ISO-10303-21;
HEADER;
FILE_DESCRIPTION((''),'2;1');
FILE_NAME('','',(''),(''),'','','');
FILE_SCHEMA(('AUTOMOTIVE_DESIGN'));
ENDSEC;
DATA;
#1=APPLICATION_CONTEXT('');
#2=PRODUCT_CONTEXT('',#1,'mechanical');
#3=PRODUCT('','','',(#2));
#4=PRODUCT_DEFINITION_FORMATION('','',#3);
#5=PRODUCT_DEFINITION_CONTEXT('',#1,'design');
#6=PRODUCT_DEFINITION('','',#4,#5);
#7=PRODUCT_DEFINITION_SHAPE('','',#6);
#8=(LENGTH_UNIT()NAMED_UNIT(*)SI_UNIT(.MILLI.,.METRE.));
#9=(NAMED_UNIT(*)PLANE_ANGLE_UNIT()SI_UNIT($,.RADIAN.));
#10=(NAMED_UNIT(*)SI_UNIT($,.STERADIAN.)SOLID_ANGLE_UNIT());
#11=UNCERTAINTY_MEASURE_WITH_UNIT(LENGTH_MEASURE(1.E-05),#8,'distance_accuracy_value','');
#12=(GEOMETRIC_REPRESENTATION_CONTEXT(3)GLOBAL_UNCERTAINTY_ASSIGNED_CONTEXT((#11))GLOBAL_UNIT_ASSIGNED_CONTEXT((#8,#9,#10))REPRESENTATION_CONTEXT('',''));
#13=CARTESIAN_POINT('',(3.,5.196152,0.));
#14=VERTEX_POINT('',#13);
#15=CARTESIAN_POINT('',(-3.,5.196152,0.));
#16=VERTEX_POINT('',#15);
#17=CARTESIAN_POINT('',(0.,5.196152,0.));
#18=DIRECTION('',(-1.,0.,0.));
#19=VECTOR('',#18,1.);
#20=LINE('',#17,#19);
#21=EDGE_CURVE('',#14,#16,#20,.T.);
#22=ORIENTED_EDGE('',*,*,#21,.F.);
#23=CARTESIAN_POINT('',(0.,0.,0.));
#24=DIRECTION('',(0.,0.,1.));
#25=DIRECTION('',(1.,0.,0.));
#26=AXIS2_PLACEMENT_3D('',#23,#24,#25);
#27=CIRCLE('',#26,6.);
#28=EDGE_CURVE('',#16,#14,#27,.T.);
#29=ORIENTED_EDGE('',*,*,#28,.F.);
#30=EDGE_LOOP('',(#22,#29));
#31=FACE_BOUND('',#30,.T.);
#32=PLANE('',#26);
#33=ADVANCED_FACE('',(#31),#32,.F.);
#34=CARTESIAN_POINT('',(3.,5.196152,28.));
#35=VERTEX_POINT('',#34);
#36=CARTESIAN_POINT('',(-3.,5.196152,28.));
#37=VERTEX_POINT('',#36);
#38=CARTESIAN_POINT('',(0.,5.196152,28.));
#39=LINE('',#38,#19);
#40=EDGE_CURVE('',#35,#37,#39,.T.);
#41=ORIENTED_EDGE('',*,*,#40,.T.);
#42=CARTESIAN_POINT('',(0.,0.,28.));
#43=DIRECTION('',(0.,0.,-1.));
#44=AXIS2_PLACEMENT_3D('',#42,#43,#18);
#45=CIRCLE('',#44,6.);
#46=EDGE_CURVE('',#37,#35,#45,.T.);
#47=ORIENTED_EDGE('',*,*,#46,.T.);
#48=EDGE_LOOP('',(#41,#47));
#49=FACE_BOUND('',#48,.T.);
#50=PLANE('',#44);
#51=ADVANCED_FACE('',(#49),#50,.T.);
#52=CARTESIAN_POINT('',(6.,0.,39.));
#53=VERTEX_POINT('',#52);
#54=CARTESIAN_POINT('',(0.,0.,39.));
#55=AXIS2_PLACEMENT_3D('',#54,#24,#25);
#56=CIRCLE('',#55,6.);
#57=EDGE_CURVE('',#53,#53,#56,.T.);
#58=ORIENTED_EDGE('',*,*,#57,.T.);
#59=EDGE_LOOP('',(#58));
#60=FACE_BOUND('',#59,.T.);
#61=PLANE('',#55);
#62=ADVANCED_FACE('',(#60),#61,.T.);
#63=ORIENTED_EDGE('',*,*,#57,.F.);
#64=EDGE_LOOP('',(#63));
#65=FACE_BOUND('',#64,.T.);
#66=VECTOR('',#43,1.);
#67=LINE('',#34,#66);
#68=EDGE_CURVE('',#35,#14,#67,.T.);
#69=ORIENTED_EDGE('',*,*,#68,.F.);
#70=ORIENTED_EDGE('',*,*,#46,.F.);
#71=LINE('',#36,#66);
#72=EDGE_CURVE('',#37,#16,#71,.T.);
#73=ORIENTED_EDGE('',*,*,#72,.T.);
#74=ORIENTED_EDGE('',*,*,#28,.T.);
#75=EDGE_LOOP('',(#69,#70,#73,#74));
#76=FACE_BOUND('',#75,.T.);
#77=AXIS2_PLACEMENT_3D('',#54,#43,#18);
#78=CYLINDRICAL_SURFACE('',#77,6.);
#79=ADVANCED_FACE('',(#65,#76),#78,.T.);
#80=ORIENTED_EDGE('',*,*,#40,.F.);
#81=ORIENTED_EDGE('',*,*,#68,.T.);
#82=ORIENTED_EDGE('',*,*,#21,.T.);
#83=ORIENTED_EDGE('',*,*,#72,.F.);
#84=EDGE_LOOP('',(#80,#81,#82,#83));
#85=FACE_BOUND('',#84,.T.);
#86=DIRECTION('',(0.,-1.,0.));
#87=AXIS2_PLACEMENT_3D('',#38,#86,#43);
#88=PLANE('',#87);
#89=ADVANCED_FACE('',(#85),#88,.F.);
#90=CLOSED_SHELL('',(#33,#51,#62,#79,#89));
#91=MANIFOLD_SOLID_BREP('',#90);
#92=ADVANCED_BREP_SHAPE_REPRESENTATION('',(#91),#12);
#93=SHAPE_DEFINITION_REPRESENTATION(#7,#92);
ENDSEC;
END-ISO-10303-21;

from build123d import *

# Parameters (mm, degrees)
SKETCH1_R           = 6
BOSS_EXTRUDE1_DEPTH = 39
CUT_EXTRUDE1_DEPTH  = 28


with BuildPart() as part:
    # Sketch1 → Boss-Extrude1 (new body)
    with BuildSketch(Plane.XY):
        Circle(SKETCH1_R)
    extrude(amount=BOSS_EXTRUDE1_DEPTH)

    # Sketch2 → Cut-Extrude1 (cut)
    with BuildSketch(Plane(origin=(0, 0, 0), x_dir=(-1, 0, 0), z_dir=(0, 0, -1))):
        Polygon((-41.730042052, 5.196152423), (-3, 5.196152423), (3, 5.196152423), (41.730042052, 5.196152423), (41.730042052, 82.656236526), (-41.730042052, 82.656236526), align=None)
    extrude(amount=-CUT_EXTRUDE1_DEPTH, mode=Mode.SUBTRACT)


solid = part.part
